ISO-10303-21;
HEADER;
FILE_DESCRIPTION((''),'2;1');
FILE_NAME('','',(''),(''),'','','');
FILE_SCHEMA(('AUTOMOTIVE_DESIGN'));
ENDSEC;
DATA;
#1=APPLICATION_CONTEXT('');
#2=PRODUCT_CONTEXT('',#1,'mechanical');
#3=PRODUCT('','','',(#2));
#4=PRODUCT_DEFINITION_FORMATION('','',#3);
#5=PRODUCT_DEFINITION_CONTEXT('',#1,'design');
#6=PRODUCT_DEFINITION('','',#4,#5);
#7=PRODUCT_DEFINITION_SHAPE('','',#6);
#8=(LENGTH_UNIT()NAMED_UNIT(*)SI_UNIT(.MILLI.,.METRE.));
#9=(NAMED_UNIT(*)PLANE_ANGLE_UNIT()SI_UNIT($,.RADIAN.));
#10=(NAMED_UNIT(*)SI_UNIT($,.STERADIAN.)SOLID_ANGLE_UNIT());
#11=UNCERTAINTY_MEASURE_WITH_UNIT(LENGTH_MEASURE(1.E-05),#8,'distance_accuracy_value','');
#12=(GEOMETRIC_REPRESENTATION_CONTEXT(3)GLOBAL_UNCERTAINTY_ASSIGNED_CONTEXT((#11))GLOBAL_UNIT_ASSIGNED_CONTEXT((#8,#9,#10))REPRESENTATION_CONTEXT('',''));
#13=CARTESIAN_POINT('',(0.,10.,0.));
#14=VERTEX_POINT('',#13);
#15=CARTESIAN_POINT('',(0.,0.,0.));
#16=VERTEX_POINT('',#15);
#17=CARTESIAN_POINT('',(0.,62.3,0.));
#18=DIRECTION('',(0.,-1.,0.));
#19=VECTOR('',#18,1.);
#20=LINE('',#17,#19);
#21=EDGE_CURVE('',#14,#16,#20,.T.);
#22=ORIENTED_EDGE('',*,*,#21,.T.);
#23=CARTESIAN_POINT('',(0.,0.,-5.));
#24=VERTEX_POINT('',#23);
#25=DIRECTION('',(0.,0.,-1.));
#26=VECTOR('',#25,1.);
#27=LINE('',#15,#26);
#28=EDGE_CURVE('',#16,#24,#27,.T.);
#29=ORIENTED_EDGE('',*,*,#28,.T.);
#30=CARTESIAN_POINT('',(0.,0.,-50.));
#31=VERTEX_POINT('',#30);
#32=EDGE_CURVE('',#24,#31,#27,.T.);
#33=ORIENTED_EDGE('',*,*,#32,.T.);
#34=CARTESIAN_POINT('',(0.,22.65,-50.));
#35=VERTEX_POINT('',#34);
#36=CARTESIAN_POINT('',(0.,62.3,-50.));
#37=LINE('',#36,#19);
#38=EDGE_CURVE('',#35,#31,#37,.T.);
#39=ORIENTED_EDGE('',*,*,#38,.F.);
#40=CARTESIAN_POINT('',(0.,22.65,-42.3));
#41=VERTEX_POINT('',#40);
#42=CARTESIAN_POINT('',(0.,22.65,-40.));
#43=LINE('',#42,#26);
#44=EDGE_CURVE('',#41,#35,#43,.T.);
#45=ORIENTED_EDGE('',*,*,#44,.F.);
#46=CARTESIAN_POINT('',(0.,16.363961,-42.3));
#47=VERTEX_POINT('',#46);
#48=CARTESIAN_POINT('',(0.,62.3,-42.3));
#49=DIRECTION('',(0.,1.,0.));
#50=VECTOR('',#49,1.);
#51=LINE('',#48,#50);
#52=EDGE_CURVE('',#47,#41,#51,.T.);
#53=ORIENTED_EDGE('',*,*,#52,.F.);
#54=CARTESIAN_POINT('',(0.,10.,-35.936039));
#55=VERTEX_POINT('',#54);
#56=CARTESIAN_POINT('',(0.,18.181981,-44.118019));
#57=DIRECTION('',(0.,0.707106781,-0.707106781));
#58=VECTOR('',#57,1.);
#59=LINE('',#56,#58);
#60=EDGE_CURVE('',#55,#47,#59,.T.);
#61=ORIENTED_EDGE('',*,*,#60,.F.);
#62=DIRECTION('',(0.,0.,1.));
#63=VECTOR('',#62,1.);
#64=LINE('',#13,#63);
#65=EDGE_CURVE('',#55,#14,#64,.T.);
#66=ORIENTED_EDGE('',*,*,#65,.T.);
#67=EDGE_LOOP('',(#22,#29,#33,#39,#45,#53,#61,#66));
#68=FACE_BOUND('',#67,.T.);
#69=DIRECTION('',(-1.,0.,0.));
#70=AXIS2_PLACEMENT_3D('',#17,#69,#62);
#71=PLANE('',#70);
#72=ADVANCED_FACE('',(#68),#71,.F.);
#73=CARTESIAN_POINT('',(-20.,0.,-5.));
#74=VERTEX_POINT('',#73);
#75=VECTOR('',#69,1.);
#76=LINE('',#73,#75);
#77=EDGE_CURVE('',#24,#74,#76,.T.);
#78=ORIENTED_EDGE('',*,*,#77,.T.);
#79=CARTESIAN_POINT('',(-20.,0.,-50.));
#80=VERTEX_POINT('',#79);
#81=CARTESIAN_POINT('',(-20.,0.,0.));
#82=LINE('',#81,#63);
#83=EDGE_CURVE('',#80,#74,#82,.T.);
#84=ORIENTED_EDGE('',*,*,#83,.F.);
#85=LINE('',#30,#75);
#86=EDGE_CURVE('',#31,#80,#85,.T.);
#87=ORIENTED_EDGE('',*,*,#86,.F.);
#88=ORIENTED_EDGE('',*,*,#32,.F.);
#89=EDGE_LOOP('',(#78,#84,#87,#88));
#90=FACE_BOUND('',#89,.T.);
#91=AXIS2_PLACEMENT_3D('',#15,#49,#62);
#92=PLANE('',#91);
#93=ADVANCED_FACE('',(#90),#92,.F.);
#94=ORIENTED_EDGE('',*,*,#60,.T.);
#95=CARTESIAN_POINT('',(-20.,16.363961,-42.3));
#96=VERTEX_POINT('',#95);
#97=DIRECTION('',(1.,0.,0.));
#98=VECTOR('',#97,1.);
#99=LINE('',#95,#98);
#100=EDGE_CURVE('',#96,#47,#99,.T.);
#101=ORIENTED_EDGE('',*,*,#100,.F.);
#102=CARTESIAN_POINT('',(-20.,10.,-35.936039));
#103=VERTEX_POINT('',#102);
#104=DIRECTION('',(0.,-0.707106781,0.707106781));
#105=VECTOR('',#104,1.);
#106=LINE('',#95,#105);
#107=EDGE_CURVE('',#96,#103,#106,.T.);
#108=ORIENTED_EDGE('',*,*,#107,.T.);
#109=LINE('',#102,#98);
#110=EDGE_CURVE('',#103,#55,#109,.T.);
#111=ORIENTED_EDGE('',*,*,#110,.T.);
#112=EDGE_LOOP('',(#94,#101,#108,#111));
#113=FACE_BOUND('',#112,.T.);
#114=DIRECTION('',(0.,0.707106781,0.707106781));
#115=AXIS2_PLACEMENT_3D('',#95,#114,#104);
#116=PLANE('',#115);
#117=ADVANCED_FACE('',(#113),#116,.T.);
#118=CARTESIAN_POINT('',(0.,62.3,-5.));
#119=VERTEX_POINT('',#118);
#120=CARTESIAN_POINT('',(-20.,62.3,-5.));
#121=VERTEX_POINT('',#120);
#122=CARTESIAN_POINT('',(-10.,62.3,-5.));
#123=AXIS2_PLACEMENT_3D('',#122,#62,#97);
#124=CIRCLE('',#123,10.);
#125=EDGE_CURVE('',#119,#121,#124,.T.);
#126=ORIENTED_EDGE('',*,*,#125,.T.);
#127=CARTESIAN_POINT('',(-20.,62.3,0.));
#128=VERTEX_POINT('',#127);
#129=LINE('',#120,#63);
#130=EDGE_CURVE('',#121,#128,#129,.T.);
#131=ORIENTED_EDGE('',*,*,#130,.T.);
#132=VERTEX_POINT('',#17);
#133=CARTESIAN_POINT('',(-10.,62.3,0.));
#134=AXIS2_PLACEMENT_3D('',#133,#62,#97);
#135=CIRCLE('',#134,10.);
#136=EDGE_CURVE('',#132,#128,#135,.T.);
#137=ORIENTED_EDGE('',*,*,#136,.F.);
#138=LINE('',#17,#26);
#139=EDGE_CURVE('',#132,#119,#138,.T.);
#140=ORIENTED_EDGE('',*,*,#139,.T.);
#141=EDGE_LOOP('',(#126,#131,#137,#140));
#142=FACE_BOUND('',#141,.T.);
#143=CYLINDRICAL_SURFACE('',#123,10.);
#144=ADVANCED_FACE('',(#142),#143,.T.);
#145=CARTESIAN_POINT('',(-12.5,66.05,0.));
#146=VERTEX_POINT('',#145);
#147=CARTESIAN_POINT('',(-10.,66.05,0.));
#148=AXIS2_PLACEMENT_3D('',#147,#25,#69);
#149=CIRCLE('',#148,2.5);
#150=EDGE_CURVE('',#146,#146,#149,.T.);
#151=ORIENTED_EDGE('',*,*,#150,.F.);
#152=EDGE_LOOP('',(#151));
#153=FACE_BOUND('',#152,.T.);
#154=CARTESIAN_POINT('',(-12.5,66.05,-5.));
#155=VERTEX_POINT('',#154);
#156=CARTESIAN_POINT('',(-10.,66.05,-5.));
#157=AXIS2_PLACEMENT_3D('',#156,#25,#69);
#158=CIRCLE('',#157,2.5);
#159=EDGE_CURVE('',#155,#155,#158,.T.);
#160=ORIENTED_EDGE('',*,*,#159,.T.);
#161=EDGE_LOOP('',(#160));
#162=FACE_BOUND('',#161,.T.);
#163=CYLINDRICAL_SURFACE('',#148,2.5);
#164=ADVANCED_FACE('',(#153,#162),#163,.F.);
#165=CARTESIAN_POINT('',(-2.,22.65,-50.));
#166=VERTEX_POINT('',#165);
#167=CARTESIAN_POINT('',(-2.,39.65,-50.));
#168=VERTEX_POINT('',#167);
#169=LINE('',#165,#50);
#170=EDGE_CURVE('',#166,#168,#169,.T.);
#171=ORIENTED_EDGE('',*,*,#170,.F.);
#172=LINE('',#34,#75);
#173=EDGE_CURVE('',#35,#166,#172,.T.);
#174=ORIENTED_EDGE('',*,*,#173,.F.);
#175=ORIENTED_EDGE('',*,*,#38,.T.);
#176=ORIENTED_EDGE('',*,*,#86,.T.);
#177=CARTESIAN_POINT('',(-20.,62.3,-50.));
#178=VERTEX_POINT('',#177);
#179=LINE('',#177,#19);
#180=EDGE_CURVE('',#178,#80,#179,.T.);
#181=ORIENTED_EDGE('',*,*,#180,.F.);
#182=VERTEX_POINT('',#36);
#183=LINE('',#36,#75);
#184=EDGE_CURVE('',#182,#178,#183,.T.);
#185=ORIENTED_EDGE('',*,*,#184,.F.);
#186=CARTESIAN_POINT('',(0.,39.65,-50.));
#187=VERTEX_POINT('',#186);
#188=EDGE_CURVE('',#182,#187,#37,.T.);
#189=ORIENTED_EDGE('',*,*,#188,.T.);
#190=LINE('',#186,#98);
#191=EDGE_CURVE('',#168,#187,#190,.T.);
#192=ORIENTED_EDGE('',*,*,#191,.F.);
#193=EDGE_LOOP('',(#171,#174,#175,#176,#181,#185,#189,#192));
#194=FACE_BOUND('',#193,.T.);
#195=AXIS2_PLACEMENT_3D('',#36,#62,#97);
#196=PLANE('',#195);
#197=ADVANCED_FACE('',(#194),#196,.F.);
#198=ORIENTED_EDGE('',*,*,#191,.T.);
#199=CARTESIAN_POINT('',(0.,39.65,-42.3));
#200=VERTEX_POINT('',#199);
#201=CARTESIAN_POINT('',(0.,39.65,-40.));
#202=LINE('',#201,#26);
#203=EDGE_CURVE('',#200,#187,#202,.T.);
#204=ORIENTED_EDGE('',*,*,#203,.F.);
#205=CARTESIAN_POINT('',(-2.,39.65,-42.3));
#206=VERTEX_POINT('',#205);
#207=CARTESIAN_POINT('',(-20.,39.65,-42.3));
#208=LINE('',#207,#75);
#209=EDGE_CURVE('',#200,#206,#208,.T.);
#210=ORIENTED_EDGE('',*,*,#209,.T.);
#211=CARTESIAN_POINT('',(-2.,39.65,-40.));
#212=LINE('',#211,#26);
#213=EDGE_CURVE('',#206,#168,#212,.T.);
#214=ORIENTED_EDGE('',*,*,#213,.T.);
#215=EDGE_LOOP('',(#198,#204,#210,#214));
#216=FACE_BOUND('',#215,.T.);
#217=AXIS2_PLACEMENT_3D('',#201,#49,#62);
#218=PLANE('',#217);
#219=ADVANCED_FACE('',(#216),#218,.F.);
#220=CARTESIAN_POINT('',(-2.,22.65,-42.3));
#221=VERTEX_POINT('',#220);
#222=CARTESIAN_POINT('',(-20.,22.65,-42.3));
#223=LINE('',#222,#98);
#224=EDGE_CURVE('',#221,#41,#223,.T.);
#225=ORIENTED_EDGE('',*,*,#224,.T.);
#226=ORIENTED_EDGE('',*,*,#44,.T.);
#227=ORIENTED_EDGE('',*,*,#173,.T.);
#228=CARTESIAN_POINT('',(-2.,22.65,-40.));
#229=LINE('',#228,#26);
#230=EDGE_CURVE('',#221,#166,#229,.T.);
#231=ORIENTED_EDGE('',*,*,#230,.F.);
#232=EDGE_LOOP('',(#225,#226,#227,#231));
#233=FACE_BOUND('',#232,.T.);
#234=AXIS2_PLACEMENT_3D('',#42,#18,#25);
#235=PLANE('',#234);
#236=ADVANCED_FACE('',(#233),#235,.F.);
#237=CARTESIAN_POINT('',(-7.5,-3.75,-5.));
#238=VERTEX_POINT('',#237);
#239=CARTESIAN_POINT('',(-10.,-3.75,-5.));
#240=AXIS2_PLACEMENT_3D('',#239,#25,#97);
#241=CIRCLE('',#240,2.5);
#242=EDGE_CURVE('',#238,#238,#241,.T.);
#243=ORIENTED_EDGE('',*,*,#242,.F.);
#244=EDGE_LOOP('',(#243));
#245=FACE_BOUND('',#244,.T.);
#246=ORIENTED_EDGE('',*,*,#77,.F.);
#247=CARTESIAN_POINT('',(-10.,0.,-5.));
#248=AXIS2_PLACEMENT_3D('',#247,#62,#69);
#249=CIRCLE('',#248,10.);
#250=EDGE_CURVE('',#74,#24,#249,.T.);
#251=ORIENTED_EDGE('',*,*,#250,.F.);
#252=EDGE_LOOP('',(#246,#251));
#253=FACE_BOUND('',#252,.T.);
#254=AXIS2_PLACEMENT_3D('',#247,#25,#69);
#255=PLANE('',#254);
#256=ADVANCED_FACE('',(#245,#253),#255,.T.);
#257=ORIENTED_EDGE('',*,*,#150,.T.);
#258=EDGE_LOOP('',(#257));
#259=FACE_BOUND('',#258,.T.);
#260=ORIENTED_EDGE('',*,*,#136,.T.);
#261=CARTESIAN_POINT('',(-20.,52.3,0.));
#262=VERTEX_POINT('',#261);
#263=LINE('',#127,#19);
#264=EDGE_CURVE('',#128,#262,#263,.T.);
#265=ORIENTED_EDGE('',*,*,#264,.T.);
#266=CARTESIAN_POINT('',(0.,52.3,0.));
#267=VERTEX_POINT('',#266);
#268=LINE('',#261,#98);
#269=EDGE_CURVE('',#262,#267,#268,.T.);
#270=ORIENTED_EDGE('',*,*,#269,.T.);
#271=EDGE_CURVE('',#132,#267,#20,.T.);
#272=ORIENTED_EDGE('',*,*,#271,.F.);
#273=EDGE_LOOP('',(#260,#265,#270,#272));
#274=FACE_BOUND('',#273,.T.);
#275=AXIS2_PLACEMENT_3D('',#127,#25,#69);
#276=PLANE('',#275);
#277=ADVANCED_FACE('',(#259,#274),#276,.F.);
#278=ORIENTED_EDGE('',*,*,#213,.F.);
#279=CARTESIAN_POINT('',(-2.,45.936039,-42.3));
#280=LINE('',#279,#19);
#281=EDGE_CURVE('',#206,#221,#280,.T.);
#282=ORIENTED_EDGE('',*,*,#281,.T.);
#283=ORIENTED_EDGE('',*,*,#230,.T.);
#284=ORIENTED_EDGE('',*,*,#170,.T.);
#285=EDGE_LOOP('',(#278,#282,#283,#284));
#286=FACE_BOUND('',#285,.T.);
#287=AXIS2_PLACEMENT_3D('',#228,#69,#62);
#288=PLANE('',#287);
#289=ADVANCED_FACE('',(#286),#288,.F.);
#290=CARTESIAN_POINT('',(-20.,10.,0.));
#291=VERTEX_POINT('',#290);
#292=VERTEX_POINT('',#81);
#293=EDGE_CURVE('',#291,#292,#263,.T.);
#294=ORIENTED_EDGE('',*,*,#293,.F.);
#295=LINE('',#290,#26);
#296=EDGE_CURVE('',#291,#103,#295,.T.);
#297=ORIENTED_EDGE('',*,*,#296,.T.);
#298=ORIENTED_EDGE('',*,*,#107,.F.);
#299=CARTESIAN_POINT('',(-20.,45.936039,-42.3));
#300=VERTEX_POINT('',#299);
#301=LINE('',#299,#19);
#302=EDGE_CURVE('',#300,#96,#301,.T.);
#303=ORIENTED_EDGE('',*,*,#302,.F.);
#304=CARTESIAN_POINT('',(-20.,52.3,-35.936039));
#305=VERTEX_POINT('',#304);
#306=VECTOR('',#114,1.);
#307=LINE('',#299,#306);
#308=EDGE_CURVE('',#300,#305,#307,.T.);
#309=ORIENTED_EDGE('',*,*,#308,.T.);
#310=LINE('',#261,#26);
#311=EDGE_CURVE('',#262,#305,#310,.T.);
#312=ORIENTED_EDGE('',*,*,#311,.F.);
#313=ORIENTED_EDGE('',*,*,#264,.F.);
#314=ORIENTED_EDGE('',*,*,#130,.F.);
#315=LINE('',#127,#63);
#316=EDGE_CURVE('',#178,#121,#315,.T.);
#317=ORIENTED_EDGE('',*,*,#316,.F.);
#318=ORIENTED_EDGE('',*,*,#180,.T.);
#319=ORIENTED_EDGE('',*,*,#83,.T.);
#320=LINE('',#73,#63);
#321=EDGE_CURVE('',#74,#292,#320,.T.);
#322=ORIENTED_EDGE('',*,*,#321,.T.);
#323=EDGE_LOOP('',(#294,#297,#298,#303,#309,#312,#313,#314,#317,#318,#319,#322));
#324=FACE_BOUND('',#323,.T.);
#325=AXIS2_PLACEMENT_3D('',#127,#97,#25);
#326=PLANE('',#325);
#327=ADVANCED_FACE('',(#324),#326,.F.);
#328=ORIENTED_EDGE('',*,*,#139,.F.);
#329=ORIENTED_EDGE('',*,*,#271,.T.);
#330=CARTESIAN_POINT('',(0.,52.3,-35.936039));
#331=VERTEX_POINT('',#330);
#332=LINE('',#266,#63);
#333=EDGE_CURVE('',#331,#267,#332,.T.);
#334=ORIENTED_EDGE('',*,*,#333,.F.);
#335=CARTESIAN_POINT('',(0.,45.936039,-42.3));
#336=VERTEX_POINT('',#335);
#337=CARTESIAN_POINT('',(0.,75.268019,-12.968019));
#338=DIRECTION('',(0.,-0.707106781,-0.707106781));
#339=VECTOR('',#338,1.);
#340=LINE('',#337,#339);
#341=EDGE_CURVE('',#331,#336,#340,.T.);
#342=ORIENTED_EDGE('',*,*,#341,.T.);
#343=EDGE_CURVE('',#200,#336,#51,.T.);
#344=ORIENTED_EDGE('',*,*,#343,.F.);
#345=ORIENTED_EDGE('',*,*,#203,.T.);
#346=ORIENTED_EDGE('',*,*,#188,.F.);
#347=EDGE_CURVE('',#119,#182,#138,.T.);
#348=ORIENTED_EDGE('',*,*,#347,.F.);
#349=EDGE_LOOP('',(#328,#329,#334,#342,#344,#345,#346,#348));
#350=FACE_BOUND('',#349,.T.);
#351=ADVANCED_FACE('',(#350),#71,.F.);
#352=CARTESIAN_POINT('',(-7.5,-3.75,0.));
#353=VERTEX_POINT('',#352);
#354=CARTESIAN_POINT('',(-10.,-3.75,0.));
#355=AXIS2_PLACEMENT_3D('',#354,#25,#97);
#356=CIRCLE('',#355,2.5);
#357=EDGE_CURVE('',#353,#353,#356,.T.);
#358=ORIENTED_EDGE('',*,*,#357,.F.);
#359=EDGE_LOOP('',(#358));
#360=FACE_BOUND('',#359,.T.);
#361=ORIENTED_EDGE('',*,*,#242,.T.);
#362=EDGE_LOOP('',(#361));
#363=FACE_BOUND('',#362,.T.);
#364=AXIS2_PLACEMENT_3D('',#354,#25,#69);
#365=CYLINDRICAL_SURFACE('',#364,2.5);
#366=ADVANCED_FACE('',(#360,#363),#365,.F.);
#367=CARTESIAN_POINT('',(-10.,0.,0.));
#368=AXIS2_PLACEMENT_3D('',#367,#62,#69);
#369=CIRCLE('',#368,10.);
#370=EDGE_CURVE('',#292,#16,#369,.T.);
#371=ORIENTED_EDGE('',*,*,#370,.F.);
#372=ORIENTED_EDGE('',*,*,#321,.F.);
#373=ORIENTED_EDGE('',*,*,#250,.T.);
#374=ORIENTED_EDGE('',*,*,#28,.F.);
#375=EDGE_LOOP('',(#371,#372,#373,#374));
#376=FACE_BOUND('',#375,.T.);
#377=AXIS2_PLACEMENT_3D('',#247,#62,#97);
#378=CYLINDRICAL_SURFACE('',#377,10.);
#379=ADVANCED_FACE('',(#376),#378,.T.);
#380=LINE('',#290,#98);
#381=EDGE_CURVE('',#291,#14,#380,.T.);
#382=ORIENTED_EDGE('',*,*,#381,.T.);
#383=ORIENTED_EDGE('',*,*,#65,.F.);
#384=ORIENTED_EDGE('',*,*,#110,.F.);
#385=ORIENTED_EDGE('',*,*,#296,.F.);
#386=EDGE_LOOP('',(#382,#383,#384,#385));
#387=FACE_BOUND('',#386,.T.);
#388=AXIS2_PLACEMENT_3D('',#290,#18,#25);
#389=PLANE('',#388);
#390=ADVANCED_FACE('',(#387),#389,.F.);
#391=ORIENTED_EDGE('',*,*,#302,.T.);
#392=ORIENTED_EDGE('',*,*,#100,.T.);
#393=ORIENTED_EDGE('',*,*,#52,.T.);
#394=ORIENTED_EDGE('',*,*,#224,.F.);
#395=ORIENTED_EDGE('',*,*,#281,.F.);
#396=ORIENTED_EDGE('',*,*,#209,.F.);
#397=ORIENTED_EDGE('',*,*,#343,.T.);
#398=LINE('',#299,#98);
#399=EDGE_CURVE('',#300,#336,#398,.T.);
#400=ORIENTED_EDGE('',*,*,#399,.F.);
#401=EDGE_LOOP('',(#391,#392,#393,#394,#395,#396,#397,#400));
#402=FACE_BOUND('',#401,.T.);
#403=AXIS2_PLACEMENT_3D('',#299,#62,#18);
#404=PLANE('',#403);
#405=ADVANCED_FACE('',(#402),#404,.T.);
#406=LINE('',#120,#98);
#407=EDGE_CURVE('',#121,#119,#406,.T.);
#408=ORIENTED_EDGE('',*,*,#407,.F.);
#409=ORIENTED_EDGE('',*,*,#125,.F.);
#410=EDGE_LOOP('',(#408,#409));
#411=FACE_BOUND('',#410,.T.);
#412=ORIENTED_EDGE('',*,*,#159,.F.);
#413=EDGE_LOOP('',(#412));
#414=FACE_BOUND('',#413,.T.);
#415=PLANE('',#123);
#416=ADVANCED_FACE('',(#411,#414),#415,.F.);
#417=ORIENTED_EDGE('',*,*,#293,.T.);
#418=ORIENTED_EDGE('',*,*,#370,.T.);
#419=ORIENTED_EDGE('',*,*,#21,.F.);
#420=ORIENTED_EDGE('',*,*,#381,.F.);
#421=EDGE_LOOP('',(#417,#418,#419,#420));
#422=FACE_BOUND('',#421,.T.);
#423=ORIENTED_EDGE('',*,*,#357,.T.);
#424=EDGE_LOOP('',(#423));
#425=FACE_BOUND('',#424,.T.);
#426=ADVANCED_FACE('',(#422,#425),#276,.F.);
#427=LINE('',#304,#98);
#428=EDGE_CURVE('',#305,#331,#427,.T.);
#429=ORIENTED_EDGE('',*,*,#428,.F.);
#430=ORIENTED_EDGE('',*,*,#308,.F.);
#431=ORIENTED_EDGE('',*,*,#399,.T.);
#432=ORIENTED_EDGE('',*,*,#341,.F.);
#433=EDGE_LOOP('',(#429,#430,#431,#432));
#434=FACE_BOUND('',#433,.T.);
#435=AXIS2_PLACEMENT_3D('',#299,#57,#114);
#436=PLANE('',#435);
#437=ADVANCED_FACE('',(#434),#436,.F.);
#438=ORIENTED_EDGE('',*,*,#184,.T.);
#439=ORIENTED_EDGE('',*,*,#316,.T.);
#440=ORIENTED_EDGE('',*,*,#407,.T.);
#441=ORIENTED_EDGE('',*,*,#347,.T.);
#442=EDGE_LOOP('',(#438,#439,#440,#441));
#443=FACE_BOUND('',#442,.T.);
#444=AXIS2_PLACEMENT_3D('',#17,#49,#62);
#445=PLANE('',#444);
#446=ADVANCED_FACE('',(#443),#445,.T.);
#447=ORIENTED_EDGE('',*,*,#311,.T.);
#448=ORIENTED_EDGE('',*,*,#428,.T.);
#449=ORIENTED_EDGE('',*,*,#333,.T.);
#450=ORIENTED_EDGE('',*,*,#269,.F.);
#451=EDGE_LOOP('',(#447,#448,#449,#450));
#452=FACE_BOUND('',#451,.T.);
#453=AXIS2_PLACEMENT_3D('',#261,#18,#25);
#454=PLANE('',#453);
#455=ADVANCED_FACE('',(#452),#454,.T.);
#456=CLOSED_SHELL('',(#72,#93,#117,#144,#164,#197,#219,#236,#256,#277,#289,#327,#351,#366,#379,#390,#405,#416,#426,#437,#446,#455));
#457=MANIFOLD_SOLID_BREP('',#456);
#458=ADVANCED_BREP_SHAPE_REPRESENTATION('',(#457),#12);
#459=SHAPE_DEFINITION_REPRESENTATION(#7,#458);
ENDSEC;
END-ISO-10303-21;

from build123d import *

# Parameters (mm, degrees)
SKETCH1_W               = 20
SKETCH1_H               = 50
BOSS_EXTRUDE2_DEPTH     = 62.3
CUT_EXTRUDE1_DEPTH      = 1
CUT_EXTRUDE1_DEPTH_BACK = 21
BOSS_EXTRUDE3_DEPTH     = 5
SKETCH6_R               = 2.5
CUT_EXTRUDE2_DEPTH      = 5
SKETCH7_W               = 2
SKETCH7_H               = 17
CUT_EXTRUDE3_DEPTH      = 10


with BuildPart() as part:
    # Sketch1 → Boss-Extrude2 (new body)
    with BuildSketch(Plane(origin=(0, 0, 0), x_dir=(1, 0, 0), z_dir=(0, 1, 0))):
        with Locations((-10, 25)):
            Rectangle(SKETCH1_W, SKETCH1_H)
    extrude(amount=BOSS_EXTRUDE2_DEPTH)

    # Sketch2 → Cut-Extrude1 (cut, two sides)
    with BuildSketch(Plane(origin=(0, 0, 0), x_dir=(0, 0, -1), z_dir=(1, 0, 0))) as cut_extrude1_sk:
        Polygon((0, 52.3), (35.936038969, 52.3), (42.3, 45.936038969), (42.3, 16.363961031), (35.936038969, 10), (0, 10), align=None)
    extrude(amount=CUT_EXTRUDE1_DEPTH, mode=Mode.SUBTRACT)
    extrude(cut_extrude1_sk.sketch, amount=-CUT_EXTRUDE1_DEPTH_BACK, mode=Mode.SUBTRACT)

    # Sketch5 → Boss-Extrude3 (add)
    with BuildSketch(Plane.XY):
        with BuildLine():
            Line((-20, 62.3), (0, 62.3))
            ThreePointArc((0, 62.3), (-10, 72.3), (-20, 62.3))
        make_face()
        with BuildLine():
            Line((-20, 0), (0, 0))
            ThreePointArc((0, 0), (-10, -10), (-20, 0))
        make_face()
    extrude(amount=-BOSS_EXTRUDE3_DEPTH)

    # Sketch6 → Cut-Extrude2 (cut)
    with BuildSketch(Plane(origin=(0, 0, -5), x_dir=(-1, 0, 0), z_dir=(0, 0, -1))):
        with Locations((10, 66.05)):
            Circle(SKETCH6_R)
        with Locations((10, -3.75)):
            Circle(SKETCH6_R)
    extrude(amount=-CUT_EXTRUDE2_DEPTH, mode=Mode.SUBTRACT)

    # Sketch7 → Cut-Extrude3 (cut)
    with BuildSketch(Plane(origin=(0, 0, -50), x_dir=(-1, 0, 0), z_dir=(0, 0, -1))):
        with Locations((1, 31.15)):
            Rectangle(SKETCH7_W, SKETCH7_H)
    extrude(amount=-CUT_EXTRUDE3_DEPTH, mode=Mode.SUBTRACT)


solid = part.part
